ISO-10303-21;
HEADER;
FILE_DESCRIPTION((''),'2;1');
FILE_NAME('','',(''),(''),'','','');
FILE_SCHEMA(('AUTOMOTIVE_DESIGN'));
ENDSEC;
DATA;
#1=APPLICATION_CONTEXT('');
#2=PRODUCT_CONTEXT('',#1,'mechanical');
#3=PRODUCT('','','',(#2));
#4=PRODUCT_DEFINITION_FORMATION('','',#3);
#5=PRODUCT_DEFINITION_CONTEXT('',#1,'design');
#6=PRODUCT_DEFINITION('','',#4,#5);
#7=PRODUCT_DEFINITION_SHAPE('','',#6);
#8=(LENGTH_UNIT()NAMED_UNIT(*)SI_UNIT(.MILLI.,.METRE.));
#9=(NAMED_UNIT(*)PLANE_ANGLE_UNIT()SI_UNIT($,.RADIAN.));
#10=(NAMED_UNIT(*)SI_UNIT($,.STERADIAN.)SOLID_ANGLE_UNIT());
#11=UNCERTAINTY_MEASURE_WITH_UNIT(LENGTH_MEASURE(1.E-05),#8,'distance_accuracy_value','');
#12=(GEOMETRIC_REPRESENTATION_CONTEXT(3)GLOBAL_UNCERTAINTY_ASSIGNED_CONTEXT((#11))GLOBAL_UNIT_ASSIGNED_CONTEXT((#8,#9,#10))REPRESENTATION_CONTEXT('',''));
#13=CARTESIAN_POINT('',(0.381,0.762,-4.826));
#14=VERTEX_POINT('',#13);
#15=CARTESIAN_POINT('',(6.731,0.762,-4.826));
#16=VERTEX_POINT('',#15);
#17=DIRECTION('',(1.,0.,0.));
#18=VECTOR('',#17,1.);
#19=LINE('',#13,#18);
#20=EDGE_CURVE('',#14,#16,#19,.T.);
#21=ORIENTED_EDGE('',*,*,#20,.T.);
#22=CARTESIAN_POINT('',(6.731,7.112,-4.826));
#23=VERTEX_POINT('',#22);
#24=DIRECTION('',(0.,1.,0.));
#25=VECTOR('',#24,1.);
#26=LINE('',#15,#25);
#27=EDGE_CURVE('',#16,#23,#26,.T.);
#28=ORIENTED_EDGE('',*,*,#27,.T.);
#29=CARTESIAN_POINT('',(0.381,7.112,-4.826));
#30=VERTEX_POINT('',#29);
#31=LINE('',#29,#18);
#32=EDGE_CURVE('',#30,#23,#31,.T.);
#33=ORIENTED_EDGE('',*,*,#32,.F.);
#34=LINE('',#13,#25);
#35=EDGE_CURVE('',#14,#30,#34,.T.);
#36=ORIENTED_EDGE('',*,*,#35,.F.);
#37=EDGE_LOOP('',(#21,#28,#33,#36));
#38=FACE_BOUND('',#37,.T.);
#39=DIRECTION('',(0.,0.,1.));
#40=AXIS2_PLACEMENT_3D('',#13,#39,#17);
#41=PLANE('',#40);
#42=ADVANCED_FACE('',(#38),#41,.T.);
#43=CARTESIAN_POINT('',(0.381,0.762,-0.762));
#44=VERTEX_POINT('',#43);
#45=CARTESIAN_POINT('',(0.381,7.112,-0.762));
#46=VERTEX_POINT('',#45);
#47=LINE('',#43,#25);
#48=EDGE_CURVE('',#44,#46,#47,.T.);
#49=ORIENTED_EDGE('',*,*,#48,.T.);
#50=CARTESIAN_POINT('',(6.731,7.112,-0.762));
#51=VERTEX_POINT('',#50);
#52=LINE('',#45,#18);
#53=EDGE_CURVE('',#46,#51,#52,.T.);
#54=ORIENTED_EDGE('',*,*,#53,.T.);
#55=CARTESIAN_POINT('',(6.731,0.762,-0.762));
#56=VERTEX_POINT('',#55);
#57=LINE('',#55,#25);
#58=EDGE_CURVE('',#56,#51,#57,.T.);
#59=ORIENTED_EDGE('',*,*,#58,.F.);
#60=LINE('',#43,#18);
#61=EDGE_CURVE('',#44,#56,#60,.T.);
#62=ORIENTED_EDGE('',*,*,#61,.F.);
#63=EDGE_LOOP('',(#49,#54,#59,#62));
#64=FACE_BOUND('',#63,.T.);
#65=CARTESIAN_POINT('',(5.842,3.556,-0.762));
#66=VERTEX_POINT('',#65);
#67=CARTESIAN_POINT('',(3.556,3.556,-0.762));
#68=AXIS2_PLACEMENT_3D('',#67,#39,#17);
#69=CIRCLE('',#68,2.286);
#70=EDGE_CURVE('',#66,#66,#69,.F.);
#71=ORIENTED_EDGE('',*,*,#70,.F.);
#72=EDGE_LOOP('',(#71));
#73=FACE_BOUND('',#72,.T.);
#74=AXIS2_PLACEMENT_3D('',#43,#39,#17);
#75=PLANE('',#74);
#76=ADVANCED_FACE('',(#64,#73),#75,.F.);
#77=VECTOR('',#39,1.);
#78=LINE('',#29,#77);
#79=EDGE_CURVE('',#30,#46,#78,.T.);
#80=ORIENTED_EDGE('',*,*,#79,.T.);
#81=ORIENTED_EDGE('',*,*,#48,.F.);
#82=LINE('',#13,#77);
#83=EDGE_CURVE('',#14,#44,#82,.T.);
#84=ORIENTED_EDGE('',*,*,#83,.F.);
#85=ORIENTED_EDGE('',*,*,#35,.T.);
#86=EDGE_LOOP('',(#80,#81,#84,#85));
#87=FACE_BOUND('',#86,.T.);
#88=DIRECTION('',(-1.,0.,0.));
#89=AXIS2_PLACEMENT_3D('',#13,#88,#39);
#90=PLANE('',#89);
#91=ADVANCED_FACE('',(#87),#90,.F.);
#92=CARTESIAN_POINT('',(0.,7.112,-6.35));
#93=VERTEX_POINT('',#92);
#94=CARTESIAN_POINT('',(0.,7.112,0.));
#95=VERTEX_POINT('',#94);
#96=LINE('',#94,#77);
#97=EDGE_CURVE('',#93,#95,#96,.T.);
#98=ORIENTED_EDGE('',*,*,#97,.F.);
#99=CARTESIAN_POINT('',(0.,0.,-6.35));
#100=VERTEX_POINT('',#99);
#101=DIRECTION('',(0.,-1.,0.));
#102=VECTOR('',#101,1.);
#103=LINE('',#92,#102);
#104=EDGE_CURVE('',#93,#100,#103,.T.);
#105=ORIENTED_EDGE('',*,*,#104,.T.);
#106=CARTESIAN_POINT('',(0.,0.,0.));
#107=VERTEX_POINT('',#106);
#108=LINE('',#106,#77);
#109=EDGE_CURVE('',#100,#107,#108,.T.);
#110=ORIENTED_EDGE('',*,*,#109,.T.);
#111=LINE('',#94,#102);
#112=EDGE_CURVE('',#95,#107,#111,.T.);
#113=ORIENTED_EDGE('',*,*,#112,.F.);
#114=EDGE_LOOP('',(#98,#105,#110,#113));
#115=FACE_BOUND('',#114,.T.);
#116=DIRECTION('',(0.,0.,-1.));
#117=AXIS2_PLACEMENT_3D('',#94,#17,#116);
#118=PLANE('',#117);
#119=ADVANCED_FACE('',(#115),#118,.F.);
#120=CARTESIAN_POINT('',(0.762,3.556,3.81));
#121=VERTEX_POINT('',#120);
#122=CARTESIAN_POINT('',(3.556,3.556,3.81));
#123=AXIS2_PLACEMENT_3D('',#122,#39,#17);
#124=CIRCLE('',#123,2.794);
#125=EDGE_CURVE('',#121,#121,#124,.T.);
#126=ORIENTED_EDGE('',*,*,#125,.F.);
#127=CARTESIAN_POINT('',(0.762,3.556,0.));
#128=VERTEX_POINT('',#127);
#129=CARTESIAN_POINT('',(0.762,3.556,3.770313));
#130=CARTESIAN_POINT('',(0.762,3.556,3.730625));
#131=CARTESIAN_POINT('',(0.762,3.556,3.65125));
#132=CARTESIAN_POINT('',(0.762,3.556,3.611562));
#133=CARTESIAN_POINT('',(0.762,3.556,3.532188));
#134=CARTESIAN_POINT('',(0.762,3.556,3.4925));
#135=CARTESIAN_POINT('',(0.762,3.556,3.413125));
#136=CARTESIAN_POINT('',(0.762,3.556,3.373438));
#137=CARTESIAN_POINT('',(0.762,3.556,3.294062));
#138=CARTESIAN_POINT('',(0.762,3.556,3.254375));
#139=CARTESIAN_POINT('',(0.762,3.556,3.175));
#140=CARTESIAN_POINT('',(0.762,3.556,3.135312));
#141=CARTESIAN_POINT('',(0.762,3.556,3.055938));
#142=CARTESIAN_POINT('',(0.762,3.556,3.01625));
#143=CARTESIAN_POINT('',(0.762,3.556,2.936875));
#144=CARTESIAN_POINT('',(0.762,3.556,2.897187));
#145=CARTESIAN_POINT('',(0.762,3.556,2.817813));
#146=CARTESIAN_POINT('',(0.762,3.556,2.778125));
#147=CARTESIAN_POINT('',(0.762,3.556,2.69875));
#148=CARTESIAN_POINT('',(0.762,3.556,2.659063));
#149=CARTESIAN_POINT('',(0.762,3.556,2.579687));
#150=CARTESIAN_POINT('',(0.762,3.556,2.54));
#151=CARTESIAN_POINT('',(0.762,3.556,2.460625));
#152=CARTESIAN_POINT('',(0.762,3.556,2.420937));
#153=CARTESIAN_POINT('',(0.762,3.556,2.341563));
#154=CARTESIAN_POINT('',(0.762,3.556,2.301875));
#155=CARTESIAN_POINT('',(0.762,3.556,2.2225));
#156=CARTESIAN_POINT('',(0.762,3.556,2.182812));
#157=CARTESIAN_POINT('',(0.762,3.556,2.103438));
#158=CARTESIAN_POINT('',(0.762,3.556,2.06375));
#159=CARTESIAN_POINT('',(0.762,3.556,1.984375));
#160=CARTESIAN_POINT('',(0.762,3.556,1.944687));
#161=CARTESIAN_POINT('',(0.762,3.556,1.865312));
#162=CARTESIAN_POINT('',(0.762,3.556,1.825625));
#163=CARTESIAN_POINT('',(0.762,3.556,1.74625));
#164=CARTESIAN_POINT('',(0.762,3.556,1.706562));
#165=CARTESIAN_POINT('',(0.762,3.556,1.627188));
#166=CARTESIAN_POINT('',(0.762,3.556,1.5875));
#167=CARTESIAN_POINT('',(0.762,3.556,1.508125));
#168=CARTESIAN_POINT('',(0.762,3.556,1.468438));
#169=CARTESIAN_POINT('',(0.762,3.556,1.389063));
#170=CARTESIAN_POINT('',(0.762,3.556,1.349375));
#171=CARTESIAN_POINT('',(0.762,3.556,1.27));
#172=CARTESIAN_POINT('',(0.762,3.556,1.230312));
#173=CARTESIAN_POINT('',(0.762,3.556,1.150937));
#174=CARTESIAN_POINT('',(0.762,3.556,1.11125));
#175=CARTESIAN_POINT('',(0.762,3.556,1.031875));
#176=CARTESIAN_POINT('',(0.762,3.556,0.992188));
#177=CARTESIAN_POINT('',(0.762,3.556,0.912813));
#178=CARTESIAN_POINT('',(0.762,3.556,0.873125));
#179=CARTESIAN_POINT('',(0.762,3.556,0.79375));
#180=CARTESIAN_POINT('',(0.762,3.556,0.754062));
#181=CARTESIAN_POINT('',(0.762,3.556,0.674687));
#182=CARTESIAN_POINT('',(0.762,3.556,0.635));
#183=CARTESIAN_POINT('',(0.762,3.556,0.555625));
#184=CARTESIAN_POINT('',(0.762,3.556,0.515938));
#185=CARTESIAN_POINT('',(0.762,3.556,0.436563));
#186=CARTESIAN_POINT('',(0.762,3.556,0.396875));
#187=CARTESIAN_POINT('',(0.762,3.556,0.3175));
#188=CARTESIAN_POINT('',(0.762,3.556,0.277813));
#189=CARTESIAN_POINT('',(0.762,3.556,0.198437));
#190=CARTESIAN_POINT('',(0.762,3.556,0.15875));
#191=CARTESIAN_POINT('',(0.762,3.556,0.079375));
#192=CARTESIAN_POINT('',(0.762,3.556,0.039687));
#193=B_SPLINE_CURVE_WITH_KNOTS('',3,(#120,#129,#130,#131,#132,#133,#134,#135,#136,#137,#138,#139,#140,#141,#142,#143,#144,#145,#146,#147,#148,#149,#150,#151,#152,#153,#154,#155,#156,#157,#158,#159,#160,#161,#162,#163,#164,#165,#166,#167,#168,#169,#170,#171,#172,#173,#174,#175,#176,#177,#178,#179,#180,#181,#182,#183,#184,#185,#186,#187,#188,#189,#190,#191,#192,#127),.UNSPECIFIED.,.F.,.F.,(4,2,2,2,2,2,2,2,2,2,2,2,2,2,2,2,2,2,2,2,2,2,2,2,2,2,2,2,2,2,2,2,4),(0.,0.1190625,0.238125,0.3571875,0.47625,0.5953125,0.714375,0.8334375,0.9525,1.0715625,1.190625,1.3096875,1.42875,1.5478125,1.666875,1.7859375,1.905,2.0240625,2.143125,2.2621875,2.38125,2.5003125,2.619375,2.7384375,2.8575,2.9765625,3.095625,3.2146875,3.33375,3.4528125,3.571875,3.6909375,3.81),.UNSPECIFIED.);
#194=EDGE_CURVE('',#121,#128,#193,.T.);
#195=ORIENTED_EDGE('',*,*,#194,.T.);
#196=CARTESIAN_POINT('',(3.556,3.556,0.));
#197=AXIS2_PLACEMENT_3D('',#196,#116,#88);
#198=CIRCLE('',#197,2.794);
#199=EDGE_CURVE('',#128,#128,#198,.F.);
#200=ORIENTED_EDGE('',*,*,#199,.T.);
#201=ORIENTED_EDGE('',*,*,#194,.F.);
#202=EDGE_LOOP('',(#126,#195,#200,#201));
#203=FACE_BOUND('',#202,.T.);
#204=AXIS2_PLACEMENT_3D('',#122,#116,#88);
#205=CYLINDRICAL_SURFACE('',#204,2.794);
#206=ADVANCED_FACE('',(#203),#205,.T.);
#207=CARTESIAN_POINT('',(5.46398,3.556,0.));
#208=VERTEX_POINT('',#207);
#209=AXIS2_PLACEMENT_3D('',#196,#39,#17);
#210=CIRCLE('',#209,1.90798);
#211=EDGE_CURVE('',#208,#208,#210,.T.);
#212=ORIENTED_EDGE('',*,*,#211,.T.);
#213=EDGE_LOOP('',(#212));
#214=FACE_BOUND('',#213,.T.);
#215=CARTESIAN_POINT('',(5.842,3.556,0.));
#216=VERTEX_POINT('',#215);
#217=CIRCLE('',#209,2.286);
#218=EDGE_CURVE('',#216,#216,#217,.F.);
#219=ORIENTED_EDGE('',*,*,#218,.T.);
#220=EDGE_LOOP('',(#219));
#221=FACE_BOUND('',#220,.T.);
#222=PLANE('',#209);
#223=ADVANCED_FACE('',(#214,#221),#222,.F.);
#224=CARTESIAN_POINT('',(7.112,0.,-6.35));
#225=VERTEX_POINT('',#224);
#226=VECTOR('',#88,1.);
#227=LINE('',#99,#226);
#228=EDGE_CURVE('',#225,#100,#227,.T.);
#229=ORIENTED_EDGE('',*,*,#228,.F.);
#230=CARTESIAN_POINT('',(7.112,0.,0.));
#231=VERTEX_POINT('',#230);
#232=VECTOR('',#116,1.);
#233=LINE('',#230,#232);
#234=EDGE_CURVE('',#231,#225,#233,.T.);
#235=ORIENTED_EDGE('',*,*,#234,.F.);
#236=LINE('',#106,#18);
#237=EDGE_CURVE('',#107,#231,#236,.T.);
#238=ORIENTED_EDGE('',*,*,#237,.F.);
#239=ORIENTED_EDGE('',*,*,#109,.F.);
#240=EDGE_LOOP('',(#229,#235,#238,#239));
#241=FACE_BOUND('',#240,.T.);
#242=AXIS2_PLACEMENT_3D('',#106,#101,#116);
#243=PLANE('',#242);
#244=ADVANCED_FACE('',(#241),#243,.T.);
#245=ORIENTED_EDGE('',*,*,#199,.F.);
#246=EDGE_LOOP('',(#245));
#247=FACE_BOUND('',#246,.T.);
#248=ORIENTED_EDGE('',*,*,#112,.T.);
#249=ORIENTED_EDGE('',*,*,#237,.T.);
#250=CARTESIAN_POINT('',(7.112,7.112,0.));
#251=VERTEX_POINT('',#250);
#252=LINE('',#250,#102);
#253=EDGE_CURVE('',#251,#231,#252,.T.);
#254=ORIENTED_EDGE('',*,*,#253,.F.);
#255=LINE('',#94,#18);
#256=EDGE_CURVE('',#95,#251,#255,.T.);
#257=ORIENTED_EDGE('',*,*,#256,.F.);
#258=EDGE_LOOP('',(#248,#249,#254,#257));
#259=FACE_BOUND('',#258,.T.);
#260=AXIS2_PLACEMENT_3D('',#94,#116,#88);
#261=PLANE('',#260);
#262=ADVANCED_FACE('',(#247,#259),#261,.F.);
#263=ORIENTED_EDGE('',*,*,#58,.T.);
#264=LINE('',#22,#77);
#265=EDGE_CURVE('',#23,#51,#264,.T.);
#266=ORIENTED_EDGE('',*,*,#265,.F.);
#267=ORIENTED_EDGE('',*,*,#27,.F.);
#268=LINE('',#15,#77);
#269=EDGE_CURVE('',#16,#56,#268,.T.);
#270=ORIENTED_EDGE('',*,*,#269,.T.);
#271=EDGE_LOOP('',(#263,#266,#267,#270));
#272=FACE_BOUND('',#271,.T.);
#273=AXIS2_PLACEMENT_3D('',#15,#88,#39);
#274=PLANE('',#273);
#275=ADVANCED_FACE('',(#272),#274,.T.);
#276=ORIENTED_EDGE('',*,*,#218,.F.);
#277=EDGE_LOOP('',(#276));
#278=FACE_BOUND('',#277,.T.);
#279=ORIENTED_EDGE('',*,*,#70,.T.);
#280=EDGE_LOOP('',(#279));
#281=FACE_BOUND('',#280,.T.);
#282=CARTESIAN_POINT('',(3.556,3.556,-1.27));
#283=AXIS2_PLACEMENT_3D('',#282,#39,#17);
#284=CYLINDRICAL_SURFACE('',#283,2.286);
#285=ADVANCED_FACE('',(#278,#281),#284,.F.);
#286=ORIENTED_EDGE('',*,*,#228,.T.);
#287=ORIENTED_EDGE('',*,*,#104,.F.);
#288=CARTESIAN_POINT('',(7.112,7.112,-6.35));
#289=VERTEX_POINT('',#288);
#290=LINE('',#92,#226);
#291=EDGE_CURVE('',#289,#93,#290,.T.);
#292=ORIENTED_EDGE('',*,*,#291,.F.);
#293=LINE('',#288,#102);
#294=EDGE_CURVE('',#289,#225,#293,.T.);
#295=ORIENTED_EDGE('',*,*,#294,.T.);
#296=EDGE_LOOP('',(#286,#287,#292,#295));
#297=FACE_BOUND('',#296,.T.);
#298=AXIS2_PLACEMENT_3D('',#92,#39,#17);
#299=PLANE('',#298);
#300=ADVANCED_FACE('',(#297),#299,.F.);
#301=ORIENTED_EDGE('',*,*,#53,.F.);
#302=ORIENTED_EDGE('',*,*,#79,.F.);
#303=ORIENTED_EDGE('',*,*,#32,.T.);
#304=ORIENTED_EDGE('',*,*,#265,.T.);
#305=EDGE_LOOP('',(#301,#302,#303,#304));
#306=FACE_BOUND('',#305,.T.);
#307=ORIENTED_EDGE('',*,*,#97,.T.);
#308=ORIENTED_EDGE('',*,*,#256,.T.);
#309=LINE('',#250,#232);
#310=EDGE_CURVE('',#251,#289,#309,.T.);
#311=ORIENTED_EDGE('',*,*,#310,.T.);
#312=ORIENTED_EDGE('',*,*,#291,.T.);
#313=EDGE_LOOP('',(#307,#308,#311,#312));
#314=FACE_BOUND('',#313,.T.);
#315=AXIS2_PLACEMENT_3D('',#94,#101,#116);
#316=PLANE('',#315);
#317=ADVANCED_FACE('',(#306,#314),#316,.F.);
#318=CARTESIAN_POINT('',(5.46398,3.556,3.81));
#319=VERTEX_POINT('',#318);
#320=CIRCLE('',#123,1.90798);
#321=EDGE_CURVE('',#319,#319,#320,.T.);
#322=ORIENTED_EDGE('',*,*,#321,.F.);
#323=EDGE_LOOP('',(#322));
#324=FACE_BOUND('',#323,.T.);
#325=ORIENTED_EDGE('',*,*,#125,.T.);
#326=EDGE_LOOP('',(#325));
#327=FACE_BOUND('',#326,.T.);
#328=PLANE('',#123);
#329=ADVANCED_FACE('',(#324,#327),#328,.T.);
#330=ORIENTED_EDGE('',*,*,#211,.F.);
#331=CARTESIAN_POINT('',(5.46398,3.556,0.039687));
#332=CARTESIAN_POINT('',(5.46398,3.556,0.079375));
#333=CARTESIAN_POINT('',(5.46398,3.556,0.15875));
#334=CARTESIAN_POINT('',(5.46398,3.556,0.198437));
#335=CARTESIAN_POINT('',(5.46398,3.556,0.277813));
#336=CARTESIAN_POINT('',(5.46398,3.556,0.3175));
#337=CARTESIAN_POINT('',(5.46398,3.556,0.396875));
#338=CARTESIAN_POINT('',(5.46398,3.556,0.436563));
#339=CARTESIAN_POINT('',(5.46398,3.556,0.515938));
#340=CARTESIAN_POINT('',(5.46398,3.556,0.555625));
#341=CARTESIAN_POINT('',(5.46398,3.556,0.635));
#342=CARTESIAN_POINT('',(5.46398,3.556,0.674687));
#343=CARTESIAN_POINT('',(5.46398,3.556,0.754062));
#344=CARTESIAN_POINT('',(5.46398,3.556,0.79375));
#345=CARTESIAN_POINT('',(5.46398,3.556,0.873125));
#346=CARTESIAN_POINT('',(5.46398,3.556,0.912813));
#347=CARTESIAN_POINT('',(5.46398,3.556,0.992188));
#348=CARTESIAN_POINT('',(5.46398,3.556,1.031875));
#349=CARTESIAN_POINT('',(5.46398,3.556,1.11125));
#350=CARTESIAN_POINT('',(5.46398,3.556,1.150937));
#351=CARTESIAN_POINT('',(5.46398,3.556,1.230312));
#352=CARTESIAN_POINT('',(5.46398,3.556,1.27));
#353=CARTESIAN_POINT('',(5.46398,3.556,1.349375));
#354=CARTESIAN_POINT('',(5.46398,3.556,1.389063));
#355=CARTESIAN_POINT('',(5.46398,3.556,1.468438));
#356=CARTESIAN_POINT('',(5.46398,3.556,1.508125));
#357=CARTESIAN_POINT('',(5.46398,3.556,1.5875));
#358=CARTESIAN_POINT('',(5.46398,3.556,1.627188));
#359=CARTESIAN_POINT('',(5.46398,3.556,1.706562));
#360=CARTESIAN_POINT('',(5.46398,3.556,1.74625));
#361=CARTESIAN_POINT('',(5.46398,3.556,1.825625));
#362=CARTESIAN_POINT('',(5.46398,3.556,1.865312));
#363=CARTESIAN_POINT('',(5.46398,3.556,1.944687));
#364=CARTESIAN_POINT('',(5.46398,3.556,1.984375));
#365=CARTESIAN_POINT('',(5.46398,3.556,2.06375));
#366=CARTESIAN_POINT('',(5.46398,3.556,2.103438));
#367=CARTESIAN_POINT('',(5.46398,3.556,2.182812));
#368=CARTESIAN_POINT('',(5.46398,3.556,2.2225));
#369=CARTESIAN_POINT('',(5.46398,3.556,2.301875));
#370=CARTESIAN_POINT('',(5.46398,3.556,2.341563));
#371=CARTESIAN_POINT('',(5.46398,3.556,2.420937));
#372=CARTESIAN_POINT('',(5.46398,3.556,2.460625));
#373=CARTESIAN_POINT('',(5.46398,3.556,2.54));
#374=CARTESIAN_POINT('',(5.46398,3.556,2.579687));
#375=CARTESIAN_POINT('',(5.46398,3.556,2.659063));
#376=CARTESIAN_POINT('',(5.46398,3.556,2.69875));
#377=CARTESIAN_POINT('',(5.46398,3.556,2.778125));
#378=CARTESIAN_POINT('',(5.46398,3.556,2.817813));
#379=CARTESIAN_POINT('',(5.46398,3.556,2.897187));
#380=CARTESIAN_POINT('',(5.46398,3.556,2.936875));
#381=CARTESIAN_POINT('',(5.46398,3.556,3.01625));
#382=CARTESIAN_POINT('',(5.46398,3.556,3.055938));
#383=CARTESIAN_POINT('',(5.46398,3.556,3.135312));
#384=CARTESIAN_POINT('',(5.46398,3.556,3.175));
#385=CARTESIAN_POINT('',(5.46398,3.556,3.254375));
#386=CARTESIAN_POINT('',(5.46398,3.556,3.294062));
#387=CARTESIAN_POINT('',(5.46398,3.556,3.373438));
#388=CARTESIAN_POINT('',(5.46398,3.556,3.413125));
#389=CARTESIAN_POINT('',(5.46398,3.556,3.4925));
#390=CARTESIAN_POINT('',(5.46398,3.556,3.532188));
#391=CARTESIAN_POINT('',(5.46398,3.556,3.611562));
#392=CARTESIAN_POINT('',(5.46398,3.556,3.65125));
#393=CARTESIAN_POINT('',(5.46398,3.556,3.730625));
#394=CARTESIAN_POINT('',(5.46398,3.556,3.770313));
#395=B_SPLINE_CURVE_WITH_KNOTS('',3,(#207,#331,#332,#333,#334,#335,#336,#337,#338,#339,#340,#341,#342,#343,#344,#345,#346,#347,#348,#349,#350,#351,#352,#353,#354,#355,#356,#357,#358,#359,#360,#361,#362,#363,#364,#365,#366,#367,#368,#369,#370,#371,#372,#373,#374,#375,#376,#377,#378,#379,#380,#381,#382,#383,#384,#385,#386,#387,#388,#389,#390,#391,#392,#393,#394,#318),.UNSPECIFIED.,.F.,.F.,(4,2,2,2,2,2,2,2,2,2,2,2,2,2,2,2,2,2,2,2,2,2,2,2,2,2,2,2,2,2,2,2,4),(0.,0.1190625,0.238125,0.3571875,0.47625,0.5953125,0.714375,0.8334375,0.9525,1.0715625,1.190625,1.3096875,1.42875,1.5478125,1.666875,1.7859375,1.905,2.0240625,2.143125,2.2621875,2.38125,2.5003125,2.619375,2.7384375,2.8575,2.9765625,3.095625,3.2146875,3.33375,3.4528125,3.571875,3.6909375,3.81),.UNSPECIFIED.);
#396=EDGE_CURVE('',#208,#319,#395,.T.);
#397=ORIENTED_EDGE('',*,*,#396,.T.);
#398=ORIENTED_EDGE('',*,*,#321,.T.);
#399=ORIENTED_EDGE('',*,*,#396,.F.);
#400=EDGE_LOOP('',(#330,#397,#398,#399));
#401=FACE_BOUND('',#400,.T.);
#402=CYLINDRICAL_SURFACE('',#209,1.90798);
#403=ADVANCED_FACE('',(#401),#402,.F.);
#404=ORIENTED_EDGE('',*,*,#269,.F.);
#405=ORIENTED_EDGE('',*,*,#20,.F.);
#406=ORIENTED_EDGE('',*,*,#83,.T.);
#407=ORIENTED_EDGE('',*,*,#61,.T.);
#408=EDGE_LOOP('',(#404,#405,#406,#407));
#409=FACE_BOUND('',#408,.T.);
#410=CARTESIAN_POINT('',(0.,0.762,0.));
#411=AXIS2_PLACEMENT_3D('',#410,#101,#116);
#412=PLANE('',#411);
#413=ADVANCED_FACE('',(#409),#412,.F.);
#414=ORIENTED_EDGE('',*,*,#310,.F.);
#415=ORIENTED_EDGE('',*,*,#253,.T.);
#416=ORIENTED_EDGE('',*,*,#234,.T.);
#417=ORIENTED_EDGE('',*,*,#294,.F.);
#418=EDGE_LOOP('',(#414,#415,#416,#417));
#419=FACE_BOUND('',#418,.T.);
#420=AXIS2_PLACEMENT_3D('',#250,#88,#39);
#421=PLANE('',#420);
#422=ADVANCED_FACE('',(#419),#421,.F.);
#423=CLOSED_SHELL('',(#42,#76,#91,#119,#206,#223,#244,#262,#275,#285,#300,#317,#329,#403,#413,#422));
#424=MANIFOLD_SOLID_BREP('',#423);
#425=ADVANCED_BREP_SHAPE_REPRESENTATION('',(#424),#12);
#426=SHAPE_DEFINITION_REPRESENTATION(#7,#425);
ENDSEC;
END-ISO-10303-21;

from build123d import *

# Parameters (mm, degrees)
SKETCH1_W           = 7.112
SKETCH1_H           = 6.35
BOSS_EXTRUDE1_DEPTH = 7.112
SKETCH2_R           = 2.286
CUT_EXTRUDE1_DEPTH  = 1.27
SKETCH3_W           = 6.35
SKETCH3_H           = 4.064
CUT_EXTRUDE2_DEPTH  = 6.35
SKETCH4_R           = 2.794
BOSS_EXTRUDE2_DEPTH = 3.81
SKETCH6_R           = 1.907980072
CUT_EXTRUDE3_DEPTH  = 3.81


with BuildPart() as part:
    # Sketch1 → Boss-Extrude1 (new body)
    with BuildSketch(Plane(origin=(0, 0, 0), x_dir=(1, 0, 0), z_dir=(0, 1, 0))):
        with Locations((3.556, 3.175)):
            Rectangle(SKETCH1_W, SKETCH1_H)
    extrude(amount=BOSS_EXTRUDE1_DEPTH)

    # Sketch2 → Cut-Extrude1 (cut)
    with BuildSketch(Plane.XY):
        with Locations((3.556, 3.556)):
            Circle(SKETCH2_R)
    extrude(amount=-CUT_EXTRUDE1_DEPTH, mode=Mode.SUBTRACT)

    # Sketch3 → Cut-Extrude2 (cut)
    with BuildSketch(Plane(origin=(0, 7.112, 0), x_dir=(1, 0, 0), z_dir=(0, 1, 0))):
        with Locations((3.556, 2.794)):
            Rectangle(SKETCH3_W, SKETCH3_H)
    extrude(amount=-CUT_EXTRUDE2_DEPTH, mode=Mode.SUBTRACT)

    # Sketch4 → Boss-Extrude2 (add)
    with BuildSketch(Plane.XY):
        with Locations(Location((3.556, 3.556, 0), (0, 0, 180))):
            Circle(SKETCH4_R)
    extrude(amount=BOSS_EXTRUDE2_DEPTH)

    # Sketch6 → Cut-Extrude3 (cut)
    with BuildSketch(Plane.XY.offset(3.81)):
        with Locations((3.556, 3.556)):
            Circle(SKETCH6_R)
    extrude(amount=-CUT_EXTRUDE3_DEPTH, mode=Mode.SUBTRACT)


solid = part.part
